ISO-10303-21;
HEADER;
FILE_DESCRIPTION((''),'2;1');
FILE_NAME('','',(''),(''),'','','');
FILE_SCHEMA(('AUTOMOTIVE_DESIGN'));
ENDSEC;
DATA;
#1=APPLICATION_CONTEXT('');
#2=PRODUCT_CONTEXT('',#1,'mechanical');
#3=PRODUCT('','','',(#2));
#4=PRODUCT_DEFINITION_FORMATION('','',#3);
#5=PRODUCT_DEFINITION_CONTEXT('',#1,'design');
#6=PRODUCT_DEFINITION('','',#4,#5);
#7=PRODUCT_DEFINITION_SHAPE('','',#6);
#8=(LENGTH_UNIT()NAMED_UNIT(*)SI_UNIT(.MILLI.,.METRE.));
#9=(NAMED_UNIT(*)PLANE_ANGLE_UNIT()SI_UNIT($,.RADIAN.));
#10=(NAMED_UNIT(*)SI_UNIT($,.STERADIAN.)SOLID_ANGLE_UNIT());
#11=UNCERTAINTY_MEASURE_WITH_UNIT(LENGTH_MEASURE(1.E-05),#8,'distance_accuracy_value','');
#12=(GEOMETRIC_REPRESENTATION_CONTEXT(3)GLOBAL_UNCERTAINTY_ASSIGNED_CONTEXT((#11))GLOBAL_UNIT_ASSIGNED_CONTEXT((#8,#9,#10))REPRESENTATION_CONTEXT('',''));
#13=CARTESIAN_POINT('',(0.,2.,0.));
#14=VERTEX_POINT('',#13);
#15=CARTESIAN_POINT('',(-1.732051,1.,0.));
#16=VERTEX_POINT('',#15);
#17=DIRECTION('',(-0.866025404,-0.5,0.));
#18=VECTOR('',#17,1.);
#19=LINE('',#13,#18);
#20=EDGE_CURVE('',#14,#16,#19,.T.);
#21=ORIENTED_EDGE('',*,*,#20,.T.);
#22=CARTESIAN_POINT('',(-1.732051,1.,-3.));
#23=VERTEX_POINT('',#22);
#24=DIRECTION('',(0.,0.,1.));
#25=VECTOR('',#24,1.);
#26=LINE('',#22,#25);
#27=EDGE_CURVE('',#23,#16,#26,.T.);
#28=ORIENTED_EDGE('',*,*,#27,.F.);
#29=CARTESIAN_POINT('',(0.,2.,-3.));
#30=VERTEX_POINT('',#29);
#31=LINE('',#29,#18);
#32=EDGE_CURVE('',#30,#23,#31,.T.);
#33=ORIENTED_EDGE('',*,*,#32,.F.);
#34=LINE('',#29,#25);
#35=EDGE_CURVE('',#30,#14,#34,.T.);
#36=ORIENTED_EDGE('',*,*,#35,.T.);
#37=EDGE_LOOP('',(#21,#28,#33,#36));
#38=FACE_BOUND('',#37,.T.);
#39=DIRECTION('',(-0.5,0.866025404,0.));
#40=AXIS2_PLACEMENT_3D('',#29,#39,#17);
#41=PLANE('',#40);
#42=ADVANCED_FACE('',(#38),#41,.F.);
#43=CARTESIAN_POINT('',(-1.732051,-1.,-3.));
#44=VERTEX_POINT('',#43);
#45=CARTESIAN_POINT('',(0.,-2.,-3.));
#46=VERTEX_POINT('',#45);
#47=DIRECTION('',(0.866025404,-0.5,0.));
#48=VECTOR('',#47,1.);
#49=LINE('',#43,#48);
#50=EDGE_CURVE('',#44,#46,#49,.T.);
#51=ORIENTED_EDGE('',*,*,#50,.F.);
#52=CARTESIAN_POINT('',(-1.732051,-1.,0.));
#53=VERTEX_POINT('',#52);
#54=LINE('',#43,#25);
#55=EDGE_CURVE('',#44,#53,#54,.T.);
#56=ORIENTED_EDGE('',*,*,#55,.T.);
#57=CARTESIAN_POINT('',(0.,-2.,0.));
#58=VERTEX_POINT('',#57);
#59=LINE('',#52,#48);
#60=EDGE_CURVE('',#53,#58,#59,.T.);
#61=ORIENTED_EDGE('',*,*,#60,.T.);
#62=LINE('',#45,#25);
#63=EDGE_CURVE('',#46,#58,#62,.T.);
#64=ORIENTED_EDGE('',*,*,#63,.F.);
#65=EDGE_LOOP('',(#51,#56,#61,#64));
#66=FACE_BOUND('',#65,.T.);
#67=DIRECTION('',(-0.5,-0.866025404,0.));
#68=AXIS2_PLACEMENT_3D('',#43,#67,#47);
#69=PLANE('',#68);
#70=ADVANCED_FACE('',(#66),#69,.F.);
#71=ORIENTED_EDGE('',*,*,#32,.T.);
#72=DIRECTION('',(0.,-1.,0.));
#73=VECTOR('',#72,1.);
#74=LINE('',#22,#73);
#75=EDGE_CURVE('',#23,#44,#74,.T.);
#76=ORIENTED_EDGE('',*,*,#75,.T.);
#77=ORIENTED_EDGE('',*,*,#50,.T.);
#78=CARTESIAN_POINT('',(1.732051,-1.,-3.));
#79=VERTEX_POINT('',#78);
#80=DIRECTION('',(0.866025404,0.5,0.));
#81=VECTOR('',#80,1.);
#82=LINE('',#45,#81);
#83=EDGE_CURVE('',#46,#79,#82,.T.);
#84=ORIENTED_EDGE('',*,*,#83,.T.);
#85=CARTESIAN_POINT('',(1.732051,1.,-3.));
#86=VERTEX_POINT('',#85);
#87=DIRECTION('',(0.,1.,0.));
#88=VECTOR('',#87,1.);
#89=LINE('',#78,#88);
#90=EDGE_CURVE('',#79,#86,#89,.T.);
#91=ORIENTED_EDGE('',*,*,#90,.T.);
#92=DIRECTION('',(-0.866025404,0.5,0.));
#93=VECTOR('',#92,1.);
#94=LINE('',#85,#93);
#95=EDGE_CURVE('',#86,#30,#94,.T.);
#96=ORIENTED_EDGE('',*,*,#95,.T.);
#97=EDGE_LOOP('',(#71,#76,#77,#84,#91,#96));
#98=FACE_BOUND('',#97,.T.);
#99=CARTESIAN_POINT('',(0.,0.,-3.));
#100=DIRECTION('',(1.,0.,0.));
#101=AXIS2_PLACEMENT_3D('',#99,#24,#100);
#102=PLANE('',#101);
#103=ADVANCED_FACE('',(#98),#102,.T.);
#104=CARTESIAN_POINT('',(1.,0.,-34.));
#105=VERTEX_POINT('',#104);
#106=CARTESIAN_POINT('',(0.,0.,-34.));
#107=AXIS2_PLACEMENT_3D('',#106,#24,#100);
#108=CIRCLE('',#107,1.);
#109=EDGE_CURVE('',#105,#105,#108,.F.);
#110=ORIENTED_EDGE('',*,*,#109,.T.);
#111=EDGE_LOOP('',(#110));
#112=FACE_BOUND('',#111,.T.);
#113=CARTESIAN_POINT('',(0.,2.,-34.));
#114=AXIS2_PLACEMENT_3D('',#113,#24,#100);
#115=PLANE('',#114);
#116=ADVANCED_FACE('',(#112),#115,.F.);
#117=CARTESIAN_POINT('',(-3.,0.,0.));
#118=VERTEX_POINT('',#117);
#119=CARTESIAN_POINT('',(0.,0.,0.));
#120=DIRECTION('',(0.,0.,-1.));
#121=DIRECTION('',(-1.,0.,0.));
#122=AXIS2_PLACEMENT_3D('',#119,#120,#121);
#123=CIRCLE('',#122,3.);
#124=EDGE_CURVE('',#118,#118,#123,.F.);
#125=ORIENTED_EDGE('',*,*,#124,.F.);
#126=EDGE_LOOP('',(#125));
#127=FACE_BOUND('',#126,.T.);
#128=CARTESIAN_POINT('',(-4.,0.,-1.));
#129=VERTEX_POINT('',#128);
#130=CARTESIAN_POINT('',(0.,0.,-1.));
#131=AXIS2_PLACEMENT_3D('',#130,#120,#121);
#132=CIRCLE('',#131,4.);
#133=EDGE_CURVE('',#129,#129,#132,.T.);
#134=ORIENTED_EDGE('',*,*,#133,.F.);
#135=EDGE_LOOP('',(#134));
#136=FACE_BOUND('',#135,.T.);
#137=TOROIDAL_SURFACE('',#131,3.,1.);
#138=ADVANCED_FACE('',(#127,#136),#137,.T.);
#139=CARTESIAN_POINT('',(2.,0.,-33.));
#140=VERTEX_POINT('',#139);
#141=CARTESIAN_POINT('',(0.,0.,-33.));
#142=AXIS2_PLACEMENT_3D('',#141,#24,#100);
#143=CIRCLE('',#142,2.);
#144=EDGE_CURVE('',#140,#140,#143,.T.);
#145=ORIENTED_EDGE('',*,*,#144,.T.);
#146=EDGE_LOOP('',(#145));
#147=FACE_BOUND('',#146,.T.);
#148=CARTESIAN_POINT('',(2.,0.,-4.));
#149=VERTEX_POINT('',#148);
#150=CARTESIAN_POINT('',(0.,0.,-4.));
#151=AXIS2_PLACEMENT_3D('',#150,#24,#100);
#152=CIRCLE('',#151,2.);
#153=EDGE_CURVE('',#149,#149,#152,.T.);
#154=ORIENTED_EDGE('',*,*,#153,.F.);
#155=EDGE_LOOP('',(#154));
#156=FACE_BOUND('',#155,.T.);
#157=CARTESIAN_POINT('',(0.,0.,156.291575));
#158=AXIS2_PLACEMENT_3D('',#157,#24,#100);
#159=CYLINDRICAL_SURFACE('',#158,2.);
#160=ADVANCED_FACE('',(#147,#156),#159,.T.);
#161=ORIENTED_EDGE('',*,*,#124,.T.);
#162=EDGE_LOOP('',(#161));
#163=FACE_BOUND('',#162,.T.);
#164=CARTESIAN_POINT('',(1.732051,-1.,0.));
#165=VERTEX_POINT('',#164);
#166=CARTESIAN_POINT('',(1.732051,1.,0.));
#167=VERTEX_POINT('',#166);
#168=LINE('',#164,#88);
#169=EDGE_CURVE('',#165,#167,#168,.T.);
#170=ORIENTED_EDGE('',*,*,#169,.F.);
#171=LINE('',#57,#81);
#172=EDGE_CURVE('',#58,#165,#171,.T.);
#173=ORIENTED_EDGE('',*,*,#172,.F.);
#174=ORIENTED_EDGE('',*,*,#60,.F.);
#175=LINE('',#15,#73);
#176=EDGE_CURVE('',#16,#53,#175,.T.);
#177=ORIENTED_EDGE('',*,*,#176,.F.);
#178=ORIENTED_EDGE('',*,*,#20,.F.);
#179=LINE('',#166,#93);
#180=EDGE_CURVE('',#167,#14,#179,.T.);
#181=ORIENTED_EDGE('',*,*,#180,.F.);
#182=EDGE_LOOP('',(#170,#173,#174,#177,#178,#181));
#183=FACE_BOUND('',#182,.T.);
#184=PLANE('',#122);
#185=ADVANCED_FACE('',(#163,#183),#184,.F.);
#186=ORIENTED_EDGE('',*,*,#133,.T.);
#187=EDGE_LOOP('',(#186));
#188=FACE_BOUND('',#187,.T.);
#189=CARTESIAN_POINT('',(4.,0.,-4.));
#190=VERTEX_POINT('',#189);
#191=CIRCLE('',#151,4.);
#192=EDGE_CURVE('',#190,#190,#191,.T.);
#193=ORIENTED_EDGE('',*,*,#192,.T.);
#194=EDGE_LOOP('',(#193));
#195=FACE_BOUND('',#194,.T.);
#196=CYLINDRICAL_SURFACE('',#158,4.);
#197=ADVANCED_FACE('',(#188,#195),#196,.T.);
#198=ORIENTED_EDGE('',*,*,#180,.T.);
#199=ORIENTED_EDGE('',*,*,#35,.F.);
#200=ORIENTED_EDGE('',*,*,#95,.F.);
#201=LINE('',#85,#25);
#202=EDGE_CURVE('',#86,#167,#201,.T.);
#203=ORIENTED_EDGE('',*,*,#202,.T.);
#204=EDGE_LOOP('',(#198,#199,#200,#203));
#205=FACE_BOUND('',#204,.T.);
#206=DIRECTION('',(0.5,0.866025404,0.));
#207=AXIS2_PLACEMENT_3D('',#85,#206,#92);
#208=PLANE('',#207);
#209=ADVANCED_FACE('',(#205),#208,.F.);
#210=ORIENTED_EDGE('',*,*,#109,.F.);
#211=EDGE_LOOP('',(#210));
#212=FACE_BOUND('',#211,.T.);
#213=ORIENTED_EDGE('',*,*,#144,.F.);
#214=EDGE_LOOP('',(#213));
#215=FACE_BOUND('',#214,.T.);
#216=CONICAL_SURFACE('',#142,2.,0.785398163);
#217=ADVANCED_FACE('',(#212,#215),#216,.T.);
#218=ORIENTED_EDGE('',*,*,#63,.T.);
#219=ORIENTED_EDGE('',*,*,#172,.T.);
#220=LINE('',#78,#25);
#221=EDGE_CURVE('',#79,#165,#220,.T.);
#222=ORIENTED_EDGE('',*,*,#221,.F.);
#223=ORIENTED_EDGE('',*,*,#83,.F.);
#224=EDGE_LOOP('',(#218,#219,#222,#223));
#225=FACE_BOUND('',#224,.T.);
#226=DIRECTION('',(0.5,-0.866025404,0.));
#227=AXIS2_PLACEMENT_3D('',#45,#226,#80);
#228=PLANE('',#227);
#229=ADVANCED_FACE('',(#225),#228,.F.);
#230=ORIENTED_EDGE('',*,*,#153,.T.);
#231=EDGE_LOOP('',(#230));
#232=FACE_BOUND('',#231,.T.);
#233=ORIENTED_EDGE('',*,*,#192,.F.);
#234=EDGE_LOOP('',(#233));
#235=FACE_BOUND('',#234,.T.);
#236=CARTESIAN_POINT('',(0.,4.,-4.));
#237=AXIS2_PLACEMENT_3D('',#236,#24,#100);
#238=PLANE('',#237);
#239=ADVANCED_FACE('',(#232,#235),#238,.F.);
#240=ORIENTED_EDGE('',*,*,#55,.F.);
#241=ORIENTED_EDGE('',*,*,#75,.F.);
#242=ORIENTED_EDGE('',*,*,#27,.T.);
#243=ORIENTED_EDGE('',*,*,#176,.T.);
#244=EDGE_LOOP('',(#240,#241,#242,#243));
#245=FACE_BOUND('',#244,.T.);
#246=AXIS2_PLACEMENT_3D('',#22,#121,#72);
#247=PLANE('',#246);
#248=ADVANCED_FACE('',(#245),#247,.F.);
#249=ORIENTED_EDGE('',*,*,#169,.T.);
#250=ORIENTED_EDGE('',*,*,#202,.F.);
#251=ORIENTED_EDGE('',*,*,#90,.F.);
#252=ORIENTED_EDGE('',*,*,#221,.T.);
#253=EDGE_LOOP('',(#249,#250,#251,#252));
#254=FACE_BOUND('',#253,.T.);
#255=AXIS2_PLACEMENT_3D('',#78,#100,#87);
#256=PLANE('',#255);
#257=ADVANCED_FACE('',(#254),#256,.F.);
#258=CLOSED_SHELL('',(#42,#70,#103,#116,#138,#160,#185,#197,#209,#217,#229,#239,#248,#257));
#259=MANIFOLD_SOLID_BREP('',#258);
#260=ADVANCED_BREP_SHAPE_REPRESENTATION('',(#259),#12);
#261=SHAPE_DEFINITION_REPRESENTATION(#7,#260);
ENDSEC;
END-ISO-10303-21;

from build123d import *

# Parameters (mm, degrees)
FOOTPRINT_DEPTH = 3
CHAMFER1_SIZE   = 1
FILLET1_R       = 1


with BuildPart() as part:
    # Sketch1 → Body (revolve)
    with BuildSketch(Plane(origin=(0, 0, 0), x_dir=(0, 0, -1), z_dir=(1, 0, 0)), mode=Mode.PRIVATE) as body_sk:
        Polygon((0, 0), (0, 4), (4, 4), (4, 2), (34, 2), (34, 0), align=None)
    revolve(body_sk.sketch.rotate(Axis((0, 0, 156.291575099), (0, 0, -1)), 90), axis=Axis((0, 0, 156.291575099), (0, 0, -1)))

    # Sketch2 → Footprint (cut)
    with BuildSketch(Plane.XY):
        Polygon((0, 2), (-1.732050808, 1), (-1.732050808, -1), (0, -2), (1.732050808, -1), (1.732050808, 1), align=None)
    extrude(amount=-FOOTPRINT_DEPTH, mode=Mode.SUBTRACT)

    # Chamfer1
    chamfer1_edges = [part.edges().sort_by_distance(p)[0] for p in [
        (-2, 0, -34),
    ]]
    chamfer(chamfer1_edges, length=CHAMFER1_SIZE)

    # Fillet1
    fillet1_edges = [part.edges().sort_by_distance(p)[0] for p in [
        (-4, 0, 0),
    ]]
    fillet(fillet1_edges, radius=FILLET1_R)


solid = part.part
